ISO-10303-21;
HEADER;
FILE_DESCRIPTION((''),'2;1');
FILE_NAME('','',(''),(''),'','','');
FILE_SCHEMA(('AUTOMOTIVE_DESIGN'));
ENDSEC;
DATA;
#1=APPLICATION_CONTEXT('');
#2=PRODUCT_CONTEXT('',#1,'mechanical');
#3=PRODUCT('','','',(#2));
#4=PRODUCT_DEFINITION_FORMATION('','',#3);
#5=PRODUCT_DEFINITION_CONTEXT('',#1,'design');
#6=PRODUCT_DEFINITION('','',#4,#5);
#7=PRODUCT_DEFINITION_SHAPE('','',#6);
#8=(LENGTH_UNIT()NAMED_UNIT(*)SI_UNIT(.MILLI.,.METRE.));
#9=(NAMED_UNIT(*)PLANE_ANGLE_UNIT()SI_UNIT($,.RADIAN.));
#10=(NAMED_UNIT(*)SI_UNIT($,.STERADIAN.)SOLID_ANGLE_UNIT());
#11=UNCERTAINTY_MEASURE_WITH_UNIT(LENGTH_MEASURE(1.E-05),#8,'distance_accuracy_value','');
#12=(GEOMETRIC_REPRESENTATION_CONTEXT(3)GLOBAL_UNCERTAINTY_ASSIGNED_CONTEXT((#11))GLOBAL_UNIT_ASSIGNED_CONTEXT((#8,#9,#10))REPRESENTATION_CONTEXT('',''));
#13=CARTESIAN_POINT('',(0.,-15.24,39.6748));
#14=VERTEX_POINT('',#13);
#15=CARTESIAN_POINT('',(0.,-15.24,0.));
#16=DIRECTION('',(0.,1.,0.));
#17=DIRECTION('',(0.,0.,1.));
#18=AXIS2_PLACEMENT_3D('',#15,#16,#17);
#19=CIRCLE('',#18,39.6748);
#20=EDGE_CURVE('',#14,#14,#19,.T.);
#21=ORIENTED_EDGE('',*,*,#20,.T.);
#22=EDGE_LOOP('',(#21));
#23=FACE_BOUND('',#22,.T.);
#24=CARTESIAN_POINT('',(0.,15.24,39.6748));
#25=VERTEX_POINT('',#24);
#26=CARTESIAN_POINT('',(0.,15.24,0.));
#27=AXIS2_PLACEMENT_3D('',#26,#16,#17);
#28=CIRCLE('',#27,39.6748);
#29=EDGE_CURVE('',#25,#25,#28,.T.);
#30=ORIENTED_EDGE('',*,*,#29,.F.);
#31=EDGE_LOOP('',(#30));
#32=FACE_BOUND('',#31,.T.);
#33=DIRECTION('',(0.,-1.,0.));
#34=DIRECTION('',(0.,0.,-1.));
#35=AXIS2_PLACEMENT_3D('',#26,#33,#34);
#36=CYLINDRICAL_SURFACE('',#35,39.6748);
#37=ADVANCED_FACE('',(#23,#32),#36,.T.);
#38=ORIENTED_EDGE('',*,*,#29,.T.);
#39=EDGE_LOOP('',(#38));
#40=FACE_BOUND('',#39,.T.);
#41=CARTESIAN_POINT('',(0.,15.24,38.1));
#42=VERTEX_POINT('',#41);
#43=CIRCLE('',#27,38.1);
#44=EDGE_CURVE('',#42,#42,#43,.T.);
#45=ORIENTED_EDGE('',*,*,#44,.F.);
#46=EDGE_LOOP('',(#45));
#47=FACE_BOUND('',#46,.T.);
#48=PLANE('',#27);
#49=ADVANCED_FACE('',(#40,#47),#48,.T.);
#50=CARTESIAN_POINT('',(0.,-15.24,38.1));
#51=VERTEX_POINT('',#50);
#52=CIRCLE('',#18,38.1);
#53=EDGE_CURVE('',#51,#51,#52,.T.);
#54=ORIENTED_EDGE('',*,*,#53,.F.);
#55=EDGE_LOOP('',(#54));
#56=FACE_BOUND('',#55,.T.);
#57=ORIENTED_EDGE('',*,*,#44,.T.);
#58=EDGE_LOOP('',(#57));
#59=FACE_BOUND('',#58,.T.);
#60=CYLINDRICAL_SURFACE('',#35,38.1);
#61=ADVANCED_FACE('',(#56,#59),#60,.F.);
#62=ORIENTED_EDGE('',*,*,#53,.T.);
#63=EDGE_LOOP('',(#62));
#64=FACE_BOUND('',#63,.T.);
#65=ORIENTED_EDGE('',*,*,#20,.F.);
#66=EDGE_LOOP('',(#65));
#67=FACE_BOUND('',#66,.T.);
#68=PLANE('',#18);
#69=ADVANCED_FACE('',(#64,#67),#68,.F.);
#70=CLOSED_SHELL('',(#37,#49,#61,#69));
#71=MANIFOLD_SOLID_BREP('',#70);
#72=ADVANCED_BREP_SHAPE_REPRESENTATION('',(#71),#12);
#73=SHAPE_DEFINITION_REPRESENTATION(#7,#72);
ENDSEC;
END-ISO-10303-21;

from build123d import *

# Parameters (mm, degrees)
SKETCH1_R           = 39.6748
SKETCH1_R_2         = 38.1
BOSS_EXTRUDE1_DEPTH = 15.24


with BuildPart() as part:
    # Sketch1 → Boss-Extrude1 (new body, symmetric)
    with BuildSketch(Plane(origin=(0, 0, 0), x_dir=(1, 0, 0), z_dir=(0, 1, 0))):
        Circle(SKETCH1_R)
        Circle(SKETCH1_R_2, mode=Mode.SUBTRACT)
    extrude(amount=BOSS_EXTRUDE1_DEPTH, both=True)


solid = part.part
